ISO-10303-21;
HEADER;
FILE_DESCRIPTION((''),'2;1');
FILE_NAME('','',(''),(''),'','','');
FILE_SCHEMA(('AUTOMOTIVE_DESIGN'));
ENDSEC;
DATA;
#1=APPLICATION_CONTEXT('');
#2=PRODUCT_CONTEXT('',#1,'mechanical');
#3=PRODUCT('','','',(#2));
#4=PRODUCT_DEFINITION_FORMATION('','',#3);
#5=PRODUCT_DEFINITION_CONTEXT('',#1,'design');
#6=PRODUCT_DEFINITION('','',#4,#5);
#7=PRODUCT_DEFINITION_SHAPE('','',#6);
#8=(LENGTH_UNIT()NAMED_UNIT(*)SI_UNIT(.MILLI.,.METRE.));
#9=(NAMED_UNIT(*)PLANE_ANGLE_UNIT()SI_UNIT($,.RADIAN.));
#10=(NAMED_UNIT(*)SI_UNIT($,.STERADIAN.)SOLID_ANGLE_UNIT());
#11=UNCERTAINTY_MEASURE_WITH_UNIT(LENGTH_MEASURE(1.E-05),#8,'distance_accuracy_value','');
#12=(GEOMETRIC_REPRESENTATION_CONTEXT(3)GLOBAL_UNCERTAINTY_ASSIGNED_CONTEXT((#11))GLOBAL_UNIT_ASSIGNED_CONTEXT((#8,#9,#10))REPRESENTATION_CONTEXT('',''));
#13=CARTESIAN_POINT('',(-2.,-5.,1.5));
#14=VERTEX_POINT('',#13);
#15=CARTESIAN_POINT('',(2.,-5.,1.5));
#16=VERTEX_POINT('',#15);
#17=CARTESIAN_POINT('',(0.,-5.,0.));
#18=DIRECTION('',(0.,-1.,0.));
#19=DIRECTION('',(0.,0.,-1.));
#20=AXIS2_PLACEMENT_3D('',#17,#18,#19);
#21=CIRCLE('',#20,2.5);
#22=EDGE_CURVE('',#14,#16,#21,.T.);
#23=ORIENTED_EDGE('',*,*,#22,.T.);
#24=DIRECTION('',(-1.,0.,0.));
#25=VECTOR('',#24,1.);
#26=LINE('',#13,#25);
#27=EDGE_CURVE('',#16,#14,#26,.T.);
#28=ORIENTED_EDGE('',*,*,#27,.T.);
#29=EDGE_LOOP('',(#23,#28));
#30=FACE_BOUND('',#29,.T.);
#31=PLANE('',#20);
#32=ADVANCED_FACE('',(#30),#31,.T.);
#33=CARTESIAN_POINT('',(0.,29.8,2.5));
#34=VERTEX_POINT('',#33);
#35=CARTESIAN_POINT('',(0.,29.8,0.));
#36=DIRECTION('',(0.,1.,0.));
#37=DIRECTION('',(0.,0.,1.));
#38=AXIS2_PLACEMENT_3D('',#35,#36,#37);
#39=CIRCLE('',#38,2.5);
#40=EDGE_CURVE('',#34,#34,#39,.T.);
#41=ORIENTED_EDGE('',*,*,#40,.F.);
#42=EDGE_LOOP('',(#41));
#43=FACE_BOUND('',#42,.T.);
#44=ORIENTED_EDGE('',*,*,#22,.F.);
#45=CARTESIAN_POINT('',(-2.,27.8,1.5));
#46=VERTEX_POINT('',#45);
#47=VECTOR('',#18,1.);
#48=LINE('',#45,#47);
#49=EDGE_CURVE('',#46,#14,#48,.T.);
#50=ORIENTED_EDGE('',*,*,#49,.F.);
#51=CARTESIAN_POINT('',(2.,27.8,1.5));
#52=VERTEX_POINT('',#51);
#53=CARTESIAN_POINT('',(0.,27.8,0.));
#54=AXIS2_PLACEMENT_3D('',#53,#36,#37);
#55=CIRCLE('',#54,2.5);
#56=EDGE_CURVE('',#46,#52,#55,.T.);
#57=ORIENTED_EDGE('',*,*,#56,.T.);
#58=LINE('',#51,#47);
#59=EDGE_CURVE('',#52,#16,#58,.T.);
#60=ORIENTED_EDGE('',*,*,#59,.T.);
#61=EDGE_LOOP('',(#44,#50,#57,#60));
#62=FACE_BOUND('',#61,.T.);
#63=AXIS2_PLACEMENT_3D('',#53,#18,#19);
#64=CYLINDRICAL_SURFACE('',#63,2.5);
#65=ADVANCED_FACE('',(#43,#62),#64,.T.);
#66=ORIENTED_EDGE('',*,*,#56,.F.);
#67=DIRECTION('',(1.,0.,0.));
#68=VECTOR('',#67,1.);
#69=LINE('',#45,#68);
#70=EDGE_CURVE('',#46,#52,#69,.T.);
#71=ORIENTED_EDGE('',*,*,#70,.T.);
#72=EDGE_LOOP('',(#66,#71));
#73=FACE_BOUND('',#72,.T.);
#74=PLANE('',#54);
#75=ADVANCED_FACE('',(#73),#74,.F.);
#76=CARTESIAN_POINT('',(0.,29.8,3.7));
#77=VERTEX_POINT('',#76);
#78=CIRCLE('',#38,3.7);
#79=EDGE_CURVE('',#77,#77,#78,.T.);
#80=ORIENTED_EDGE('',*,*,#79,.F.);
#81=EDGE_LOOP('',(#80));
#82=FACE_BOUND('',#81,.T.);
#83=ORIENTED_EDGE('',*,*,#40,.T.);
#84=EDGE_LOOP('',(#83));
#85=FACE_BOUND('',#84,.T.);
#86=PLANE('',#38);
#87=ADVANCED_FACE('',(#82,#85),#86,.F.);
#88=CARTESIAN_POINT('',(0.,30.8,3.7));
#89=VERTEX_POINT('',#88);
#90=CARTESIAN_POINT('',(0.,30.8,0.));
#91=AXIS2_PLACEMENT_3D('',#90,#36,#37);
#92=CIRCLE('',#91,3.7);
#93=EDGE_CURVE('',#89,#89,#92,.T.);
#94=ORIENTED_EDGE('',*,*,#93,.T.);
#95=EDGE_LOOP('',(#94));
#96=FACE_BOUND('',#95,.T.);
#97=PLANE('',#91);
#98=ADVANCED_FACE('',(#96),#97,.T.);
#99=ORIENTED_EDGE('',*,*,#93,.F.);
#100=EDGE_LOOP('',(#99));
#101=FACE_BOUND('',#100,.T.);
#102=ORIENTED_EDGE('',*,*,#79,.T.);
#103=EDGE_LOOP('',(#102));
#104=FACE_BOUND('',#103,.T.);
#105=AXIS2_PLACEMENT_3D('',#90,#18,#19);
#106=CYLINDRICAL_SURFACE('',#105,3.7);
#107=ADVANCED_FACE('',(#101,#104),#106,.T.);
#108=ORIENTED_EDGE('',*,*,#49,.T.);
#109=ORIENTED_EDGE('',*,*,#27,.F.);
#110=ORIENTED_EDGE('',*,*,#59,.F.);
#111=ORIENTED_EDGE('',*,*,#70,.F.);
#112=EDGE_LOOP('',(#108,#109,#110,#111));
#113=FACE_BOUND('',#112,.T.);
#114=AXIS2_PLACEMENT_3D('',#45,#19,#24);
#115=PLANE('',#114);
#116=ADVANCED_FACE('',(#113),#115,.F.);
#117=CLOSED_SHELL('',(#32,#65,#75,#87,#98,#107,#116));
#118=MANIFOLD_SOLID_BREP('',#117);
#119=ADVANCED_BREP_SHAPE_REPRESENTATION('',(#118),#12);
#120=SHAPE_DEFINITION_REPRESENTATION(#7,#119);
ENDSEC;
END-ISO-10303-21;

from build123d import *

# Parameters (mm, degrees)
EXTRUDE_1_DEPTH = 27.8
SKETCH_2_R      = 2.5
EXTRUDE_2_DEPTH = 2
SKETCH_3_R      = 3.7
EXTRUDE_3_DEPTH = 1
EXTRUDE_START   = 2
EXTRUDE_4_DEPTH = 2
EXTRUDE_START_2 = 3
EXTRUDE_5_DEPTH = 3


with BuildPart() as part:
    # 草图1 → 凸台-拉伸1 (new body)
    with BuildSketch(Plane(origin=(0, 0, 0), x_dir=(1, 0, 0), z_dir=(0, 1, 0))):
        with BuildLine():
            Line((-2, -1.5), (2, -1.5))
            ThreePointArc((2, -1.5), (0, 2.5), (-2, -1.5))
        make_face()
    extrude(amount=EXTRUDE_1_DEPTH)

    # 草图2 → 凸台-拉伸2 (add)
    with BuildSketch(Plane(origin=(0, 27.8, 0), x_dir=(1, 0, 0), z_dir=(0, 1, 0))):
        with Locations(Location((0, 0, 0), (0, 0, 216.869897646))):
            Circle(SKETCH_2_R)
    extrude(amount=EXTRUDE_2_DEPTH)

    # 草图3 → 凸台-拉伸3 (add)
    with BuildSketch(Plane(origin=(0, 29.8, 0), x_dir=(1, 0, 0), z_dir=(0, 1, 0))):
        with Locations(Location((0, 0, 0), (0, 0, 270))):
            Circle(SKETCH_3_R)
    extrude(amount=EXTRUDE_3_DEPTH)

    # 草图4 → 凸台-拉伸4 (add)
    with BuildSketch(Plane.XZ.offset(EXTRUDE_START)):
        with BuildLine():
            Line((-2, 1.5), (2, 1.5))
            ThreePointArc((2, 1.5), (0, -2.5), (-2, 1.5))
        make_face()
    extrude(amount=-EXTRUDE_4_DEPTH)

    # 草图5 → 凸台-拉伸5 (add)
    with BuildSketch(Plane.XZ.offset(2).offset(EXTRUDE_START_2)):
        with BuildLine():
            Line((-2, 1.5), (2, 1.5))
            ThreePointArc((2, 1.5), (0, -2.5), (-2, 1.5))
        make_face()
    extrude(amount=-EXTRUDE_5_DEPTH)


solid = part.part
